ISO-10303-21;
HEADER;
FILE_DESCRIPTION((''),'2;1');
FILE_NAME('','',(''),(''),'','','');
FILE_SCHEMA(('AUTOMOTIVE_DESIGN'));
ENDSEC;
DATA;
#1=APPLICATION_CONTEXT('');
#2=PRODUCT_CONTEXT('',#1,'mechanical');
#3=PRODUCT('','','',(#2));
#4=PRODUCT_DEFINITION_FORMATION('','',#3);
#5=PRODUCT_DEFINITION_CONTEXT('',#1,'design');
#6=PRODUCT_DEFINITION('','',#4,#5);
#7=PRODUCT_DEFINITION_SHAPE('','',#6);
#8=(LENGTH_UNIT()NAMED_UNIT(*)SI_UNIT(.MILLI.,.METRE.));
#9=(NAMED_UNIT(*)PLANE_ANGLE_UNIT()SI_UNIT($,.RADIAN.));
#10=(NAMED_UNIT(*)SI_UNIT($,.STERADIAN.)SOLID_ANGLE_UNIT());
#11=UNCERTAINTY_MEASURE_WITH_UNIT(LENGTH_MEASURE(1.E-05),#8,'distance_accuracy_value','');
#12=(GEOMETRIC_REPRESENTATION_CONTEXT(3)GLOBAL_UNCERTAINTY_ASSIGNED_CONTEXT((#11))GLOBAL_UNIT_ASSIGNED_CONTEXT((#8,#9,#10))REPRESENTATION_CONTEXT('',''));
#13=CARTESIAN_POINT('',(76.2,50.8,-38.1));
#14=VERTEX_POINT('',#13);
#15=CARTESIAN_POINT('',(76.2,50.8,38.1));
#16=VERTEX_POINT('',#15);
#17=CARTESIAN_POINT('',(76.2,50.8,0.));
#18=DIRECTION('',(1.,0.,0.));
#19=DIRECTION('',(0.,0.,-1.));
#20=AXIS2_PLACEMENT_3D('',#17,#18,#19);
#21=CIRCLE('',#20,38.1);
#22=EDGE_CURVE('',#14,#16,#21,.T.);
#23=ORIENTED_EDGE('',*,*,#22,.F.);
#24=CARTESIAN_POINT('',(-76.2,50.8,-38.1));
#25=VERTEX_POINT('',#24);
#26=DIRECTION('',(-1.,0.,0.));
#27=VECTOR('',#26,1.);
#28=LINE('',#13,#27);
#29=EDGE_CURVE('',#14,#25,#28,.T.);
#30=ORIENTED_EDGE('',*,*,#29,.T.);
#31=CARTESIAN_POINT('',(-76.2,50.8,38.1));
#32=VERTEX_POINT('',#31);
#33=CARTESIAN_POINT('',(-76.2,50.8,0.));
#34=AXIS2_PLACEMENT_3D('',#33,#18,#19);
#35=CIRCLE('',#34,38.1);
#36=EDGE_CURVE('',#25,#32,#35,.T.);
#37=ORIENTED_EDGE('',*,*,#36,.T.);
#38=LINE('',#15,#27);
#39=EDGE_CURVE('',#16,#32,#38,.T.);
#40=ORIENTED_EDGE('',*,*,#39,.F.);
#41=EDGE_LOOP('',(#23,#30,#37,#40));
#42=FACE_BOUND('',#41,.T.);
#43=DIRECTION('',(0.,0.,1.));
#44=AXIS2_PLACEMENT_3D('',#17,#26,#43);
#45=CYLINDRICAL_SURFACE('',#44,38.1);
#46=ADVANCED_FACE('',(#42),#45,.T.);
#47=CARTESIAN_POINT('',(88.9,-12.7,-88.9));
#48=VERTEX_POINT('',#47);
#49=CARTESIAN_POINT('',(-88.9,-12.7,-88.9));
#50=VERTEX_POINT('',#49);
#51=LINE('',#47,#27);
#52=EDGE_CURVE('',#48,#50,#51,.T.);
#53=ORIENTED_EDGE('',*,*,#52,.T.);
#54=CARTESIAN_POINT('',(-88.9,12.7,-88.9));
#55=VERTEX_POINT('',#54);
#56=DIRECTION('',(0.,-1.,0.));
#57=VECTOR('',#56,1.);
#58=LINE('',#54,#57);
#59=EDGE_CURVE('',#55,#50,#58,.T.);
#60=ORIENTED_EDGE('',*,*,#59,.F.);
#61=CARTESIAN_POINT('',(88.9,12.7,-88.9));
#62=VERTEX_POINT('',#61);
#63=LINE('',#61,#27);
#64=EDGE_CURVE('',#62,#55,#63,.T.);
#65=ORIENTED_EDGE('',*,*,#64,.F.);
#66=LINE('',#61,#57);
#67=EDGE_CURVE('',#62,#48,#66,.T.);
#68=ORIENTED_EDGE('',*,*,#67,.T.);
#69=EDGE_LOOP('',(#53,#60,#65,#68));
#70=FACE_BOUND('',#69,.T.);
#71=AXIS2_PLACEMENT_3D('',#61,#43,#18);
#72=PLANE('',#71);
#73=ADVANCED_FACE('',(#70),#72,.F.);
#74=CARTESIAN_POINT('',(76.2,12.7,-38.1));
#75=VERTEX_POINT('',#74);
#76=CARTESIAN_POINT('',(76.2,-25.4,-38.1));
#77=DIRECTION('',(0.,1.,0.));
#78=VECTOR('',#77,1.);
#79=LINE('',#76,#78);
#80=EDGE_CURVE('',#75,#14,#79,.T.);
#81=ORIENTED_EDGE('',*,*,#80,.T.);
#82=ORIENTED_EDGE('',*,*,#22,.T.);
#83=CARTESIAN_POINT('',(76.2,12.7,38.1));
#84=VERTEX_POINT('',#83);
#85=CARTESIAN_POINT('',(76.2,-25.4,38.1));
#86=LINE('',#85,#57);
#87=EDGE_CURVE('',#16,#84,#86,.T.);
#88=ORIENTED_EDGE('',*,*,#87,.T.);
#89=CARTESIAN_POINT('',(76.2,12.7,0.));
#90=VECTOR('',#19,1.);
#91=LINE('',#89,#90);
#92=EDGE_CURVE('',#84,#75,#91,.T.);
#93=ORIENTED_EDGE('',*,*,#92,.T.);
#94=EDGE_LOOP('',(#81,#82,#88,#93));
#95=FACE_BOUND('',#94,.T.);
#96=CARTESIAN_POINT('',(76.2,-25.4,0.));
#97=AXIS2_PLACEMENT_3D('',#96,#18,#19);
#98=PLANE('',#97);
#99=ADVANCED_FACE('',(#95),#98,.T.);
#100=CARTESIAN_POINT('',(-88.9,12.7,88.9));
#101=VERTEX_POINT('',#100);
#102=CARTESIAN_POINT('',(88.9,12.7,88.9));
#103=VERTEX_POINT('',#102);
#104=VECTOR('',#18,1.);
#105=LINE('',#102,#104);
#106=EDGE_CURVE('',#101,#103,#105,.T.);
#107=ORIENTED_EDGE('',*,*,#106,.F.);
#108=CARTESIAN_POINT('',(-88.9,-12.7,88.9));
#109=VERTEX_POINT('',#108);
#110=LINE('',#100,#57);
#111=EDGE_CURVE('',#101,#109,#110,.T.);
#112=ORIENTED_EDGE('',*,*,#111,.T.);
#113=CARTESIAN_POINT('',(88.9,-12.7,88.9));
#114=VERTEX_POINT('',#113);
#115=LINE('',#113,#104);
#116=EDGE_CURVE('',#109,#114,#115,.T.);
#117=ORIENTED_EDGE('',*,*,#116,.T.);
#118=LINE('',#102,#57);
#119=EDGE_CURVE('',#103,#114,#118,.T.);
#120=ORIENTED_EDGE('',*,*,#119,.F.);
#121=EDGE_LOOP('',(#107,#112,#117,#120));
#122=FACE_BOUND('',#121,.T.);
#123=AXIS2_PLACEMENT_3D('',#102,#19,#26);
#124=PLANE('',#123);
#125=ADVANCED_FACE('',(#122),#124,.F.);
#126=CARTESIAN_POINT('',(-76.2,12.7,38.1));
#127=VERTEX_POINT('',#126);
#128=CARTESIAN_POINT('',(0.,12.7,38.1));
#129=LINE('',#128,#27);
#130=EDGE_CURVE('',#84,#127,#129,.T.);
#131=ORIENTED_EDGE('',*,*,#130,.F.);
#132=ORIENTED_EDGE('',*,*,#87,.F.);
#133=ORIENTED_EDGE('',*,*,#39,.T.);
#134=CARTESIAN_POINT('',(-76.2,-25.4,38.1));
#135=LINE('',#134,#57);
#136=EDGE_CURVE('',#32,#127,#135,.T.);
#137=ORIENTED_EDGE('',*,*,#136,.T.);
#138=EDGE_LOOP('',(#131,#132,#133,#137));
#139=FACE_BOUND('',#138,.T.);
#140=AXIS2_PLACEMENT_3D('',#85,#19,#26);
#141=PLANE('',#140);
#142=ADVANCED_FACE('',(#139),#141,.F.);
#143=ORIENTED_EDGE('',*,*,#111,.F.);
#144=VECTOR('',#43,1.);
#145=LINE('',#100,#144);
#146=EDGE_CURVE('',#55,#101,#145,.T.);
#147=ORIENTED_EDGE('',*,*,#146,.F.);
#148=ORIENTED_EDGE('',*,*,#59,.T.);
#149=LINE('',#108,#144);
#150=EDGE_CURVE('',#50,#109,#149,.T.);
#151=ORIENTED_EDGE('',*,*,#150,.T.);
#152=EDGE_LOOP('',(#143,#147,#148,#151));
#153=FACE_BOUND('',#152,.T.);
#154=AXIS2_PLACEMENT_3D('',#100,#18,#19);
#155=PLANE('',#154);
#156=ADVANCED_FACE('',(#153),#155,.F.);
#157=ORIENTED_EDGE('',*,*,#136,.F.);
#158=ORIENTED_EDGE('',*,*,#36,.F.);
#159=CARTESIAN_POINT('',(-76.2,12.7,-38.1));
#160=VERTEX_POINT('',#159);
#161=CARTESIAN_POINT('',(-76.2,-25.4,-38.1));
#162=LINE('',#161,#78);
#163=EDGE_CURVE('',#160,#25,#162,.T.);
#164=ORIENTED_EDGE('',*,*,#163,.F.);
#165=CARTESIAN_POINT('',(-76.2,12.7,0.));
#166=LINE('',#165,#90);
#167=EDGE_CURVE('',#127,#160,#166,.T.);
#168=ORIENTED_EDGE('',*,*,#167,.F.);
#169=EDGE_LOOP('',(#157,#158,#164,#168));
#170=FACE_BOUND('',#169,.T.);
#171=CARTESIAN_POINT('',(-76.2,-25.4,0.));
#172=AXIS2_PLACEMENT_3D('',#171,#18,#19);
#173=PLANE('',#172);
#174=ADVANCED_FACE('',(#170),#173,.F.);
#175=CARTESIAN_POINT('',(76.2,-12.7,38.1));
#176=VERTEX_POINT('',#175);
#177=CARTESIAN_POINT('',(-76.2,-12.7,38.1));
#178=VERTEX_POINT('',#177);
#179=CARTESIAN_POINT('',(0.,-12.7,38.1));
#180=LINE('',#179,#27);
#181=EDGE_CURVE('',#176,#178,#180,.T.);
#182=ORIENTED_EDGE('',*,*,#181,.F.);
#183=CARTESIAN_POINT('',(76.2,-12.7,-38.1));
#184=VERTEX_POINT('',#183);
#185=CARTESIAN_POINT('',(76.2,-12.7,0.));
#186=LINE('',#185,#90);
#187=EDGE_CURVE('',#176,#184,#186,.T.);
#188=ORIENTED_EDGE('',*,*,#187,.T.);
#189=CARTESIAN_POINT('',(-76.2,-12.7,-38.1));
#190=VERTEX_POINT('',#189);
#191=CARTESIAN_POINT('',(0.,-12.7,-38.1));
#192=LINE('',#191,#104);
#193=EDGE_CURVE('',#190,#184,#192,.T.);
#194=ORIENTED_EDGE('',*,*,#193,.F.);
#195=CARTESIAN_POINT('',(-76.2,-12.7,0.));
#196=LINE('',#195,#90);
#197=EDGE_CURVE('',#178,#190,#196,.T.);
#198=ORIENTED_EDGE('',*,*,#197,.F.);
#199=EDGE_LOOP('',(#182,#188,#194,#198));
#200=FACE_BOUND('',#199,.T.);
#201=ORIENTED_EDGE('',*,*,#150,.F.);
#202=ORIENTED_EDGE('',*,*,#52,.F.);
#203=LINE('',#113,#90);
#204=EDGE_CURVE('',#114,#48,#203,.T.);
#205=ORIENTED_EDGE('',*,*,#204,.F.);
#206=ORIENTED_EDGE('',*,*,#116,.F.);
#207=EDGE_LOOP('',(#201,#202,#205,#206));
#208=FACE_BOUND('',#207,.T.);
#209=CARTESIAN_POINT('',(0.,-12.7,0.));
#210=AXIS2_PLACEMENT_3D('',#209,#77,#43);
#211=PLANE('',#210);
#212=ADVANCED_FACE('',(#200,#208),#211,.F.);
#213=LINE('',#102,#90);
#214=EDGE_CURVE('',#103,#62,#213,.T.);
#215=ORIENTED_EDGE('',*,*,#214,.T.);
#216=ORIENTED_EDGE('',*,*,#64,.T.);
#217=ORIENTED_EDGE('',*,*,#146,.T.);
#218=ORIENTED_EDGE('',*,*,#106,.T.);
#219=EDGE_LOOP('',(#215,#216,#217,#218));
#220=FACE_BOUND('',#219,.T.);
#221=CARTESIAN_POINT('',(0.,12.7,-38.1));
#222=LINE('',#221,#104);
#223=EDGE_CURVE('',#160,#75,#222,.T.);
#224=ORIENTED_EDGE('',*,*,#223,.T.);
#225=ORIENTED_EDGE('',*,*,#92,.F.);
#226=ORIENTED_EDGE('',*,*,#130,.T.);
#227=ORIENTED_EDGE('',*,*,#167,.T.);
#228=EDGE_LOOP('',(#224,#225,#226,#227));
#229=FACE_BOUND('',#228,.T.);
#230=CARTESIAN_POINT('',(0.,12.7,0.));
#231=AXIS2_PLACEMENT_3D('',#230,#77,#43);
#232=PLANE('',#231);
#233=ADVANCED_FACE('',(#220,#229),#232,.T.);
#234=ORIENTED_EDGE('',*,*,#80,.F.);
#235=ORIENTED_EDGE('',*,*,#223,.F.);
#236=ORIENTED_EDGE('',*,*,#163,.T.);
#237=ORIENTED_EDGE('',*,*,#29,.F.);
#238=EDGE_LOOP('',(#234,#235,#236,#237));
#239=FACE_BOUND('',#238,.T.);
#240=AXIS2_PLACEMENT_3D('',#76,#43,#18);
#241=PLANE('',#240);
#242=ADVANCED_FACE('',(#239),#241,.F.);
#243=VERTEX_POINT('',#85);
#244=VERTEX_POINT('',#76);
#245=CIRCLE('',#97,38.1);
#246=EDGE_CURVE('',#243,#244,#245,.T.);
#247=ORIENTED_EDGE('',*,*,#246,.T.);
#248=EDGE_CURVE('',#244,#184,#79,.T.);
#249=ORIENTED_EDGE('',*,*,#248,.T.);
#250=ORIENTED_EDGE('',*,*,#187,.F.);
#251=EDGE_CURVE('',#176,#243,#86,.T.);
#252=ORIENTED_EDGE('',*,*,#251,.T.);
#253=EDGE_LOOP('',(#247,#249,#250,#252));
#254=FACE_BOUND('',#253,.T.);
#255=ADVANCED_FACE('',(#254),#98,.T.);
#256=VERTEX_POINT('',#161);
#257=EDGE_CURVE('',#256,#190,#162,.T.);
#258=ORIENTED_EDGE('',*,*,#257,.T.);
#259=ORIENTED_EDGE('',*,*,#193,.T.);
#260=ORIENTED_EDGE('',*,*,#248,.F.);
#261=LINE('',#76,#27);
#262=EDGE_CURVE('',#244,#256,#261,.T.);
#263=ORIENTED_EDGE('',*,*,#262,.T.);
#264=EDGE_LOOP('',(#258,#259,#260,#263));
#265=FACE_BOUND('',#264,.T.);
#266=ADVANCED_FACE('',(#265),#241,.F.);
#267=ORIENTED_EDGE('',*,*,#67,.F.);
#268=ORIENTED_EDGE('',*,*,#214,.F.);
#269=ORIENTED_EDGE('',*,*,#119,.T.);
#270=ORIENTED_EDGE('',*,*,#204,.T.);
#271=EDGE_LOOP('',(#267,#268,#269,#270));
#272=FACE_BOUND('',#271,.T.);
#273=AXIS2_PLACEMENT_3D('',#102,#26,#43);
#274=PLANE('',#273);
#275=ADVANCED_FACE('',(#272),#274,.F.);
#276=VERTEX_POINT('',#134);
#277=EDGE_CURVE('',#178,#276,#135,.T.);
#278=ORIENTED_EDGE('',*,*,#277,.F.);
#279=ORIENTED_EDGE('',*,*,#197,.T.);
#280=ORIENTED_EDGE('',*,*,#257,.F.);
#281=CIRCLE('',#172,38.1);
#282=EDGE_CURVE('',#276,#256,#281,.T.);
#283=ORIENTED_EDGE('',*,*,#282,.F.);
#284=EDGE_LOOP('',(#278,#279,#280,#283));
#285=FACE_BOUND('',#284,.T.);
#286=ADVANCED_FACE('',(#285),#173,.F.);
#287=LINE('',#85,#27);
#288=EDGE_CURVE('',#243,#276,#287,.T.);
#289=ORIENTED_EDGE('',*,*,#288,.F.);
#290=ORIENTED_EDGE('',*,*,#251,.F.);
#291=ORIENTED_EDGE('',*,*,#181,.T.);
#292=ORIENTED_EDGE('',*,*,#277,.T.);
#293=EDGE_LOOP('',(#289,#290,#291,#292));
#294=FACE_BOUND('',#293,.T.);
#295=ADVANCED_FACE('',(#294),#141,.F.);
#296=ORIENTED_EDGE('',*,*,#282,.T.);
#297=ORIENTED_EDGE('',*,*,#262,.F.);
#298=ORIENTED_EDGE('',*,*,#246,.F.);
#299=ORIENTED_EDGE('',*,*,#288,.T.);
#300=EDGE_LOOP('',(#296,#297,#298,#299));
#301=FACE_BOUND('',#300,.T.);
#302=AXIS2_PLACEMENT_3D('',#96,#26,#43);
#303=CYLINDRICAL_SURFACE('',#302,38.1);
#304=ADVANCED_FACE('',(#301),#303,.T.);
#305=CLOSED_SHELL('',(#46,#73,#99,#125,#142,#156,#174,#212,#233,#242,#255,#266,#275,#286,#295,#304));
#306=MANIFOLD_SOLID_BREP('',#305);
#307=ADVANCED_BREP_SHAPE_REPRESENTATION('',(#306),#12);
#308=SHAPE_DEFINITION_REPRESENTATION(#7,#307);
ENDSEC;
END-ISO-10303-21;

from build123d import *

# Parameters (mm, degrees)
SKETCH1_W           = 177.8
SKETCH1_H           = 177.8
BOSS_EXTRUDE1_DEPTH = 12.7
BOSS_EXTRUDE2_DEPTH = 76.2


with BuildPart() as part:
    # Sketch1 → Boss-Extrude1 (new, symmetric)
    with BuildSketch(Plane(origin=(0, 0, 0), x_dir=(1, 0, 0), z_dir=(0, 1, 0))):
        Rectangle(SKETCH1_W, SKETCH1_H)
    extrude(amount=BOSS_EXTRUDE1_DEPTH, both=True)

    # Sketch2 → Boss-Extrude2 (add, symmetric)
    with BuildSketch(Plane(origin=(0, 0, 0), x_dir=(0, 0, -1), z_dir=(1, 0, 0))):
        with BuildLine():
            Line((-38.1, -25.4), (-38.1, 50.8))
            ThreePointArc((-38.1, 50.8), (0, 88.9), (38.1, 50.8))
            Line((38.1, 50.8), (38.1, -25.4))
            ThreePointArc((38.1, -25.4), (0, -63.5), (-38.1, -25.4))
        make_face()
    extrude(amount=BOSS_EXTRUDE2_DEPTH, both=True)


solid = part.part
